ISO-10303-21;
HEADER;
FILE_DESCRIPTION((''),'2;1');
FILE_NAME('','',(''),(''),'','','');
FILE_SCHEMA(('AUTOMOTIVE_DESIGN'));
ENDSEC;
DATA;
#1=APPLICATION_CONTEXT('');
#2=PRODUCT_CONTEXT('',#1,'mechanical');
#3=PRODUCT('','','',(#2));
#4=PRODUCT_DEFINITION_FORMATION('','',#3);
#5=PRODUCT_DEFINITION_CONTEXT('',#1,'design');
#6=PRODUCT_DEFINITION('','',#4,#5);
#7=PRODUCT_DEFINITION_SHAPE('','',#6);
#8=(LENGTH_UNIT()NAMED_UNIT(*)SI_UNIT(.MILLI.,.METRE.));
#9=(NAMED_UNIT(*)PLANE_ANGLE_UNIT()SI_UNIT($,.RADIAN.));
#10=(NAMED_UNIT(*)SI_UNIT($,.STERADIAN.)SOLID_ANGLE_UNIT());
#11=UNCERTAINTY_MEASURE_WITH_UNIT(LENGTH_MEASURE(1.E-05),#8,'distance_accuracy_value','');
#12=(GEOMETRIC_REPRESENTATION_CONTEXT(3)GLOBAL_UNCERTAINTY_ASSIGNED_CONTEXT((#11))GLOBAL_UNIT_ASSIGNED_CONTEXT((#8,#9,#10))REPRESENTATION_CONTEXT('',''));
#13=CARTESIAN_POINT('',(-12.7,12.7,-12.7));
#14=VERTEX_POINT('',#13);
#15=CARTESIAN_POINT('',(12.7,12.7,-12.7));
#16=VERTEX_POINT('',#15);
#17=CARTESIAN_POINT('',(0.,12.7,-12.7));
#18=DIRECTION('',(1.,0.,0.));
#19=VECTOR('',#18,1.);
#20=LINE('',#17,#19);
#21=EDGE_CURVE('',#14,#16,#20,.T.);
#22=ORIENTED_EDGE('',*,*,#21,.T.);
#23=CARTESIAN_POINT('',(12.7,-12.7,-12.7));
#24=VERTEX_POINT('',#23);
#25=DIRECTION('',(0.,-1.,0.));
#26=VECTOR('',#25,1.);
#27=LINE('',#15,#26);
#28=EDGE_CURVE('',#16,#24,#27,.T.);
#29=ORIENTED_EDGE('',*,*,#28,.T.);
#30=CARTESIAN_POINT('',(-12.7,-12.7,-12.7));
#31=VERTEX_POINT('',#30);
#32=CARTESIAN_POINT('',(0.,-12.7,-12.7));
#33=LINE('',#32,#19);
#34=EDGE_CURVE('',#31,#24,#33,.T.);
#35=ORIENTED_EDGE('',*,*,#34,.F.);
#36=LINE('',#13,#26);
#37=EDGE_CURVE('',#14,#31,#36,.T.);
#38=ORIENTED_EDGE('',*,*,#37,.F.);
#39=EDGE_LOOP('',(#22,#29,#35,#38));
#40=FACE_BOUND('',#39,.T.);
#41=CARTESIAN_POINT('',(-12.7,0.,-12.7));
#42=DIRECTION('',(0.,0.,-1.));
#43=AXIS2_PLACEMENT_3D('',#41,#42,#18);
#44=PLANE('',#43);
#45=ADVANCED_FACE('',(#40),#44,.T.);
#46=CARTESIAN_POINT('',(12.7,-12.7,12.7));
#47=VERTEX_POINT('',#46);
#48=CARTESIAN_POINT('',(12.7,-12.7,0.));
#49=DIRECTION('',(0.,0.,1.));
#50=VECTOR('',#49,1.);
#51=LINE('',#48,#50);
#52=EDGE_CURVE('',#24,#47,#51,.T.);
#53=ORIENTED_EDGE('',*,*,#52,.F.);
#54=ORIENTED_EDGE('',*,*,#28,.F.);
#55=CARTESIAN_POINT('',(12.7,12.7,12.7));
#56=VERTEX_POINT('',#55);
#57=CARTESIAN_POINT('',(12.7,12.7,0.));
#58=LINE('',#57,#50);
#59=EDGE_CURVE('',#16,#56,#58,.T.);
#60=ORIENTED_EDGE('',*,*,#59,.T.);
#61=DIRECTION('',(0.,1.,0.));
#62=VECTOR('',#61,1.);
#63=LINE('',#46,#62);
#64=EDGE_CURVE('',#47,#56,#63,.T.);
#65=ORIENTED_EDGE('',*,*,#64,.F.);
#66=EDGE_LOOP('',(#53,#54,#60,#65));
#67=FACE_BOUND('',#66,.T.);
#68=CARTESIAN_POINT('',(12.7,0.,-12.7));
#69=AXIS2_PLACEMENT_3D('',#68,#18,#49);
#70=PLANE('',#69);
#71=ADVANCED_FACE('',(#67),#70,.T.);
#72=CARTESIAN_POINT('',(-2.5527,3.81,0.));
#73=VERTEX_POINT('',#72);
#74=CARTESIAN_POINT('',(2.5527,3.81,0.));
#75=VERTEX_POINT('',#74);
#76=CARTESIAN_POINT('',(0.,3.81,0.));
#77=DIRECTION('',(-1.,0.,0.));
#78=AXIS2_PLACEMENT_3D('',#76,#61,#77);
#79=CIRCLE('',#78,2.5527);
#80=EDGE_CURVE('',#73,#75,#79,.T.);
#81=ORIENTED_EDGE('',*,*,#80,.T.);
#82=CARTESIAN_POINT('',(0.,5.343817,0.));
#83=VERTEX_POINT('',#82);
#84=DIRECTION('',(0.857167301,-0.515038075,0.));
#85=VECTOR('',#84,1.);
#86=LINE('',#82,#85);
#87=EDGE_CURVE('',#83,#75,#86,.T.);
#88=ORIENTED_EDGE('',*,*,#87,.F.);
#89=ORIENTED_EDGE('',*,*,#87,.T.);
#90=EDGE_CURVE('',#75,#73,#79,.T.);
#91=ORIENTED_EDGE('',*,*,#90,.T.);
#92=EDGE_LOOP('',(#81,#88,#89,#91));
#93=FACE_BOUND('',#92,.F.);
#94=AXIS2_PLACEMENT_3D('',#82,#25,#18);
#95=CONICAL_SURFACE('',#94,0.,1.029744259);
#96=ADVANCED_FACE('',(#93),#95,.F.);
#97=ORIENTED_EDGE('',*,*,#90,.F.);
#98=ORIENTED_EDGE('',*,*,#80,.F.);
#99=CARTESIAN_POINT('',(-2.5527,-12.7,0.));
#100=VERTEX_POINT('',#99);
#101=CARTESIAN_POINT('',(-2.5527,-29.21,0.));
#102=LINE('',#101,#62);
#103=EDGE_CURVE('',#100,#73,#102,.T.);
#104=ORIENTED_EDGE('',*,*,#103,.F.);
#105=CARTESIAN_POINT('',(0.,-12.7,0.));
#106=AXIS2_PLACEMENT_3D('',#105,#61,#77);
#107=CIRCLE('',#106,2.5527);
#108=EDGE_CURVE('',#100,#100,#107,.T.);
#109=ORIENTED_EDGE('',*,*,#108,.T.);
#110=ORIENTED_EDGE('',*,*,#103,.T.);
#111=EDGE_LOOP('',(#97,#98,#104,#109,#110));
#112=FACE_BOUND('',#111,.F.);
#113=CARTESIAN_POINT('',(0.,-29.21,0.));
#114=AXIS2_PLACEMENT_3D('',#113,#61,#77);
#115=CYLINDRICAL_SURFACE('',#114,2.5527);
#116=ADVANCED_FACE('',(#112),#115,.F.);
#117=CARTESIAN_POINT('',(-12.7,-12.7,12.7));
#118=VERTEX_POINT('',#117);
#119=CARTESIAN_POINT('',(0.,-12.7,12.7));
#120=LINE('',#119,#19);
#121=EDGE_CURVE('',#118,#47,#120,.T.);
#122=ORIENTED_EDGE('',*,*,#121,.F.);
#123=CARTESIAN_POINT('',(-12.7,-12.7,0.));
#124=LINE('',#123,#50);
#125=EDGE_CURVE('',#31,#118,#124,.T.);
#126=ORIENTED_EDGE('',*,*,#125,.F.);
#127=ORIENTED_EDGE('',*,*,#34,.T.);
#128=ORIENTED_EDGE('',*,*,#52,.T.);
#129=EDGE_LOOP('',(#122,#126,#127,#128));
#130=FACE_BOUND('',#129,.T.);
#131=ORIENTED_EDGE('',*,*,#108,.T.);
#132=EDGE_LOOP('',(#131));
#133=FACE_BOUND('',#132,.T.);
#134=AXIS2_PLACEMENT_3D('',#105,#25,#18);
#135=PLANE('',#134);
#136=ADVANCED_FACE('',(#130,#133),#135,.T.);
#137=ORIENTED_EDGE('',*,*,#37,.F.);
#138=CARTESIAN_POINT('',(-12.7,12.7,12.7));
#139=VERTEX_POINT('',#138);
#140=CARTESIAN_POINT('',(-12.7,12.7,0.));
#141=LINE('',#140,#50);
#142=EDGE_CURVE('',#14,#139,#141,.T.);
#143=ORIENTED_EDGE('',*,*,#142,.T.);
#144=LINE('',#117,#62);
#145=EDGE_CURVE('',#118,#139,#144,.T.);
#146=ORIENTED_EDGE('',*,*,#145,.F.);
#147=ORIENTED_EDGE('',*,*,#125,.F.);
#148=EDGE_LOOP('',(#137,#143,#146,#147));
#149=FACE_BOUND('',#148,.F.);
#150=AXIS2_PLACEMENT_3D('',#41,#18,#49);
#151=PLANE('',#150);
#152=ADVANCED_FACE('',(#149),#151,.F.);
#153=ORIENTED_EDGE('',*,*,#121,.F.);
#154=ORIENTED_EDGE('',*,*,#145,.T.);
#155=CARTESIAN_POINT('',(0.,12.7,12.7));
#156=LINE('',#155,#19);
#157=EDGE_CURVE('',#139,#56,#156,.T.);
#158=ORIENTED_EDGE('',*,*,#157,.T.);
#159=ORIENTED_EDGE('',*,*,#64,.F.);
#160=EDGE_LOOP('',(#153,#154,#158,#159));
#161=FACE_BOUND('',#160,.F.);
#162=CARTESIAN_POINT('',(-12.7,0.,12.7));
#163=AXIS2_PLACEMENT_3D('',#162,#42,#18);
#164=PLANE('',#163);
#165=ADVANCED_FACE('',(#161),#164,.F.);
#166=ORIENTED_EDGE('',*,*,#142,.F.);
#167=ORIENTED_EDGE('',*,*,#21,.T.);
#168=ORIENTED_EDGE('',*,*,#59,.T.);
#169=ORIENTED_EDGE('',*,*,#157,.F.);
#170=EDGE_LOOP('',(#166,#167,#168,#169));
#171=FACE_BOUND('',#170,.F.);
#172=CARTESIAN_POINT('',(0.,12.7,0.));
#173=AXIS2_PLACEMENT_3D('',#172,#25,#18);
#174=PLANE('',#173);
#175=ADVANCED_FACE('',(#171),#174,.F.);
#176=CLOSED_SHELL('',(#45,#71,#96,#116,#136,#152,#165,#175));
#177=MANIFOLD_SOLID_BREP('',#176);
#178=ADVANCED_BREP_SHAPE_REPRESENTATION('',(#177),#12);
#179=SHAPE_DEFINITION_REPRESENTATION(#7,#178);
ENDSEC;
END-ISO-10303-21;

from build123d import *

# Parameters (mm, degrees)
F0_W     = 25.4
F0_H     = 25.4
F1_DEPTH = 12.7
F3_D     = 5.1054
F3_DEPTH = 16.51
F3_TIP   = 1.5338169022


with BuildPart() as f1:
    # F0 (on Front) → F1 (new body, symmetric)
    with BuildSketch(Plane.XZ):
        Rectangle(F0_W, F0_H)
    extrude(amount=F1_DEPTH, both=True)

    # F3
    with Locations(Plane.XZ.offset(12.7)):
        with Locations((0, 0)):
            Hole(F3_D / 2, depth=F3_DEPTH)
            with Locations((0, 0, -(F3_DEPTH + F3_TIP / 2))):  # 118° drill point
                Cone(0, F3_D / 2, F3_TIP, mode=Mode.SUBTRACT)


solid = f1.part
